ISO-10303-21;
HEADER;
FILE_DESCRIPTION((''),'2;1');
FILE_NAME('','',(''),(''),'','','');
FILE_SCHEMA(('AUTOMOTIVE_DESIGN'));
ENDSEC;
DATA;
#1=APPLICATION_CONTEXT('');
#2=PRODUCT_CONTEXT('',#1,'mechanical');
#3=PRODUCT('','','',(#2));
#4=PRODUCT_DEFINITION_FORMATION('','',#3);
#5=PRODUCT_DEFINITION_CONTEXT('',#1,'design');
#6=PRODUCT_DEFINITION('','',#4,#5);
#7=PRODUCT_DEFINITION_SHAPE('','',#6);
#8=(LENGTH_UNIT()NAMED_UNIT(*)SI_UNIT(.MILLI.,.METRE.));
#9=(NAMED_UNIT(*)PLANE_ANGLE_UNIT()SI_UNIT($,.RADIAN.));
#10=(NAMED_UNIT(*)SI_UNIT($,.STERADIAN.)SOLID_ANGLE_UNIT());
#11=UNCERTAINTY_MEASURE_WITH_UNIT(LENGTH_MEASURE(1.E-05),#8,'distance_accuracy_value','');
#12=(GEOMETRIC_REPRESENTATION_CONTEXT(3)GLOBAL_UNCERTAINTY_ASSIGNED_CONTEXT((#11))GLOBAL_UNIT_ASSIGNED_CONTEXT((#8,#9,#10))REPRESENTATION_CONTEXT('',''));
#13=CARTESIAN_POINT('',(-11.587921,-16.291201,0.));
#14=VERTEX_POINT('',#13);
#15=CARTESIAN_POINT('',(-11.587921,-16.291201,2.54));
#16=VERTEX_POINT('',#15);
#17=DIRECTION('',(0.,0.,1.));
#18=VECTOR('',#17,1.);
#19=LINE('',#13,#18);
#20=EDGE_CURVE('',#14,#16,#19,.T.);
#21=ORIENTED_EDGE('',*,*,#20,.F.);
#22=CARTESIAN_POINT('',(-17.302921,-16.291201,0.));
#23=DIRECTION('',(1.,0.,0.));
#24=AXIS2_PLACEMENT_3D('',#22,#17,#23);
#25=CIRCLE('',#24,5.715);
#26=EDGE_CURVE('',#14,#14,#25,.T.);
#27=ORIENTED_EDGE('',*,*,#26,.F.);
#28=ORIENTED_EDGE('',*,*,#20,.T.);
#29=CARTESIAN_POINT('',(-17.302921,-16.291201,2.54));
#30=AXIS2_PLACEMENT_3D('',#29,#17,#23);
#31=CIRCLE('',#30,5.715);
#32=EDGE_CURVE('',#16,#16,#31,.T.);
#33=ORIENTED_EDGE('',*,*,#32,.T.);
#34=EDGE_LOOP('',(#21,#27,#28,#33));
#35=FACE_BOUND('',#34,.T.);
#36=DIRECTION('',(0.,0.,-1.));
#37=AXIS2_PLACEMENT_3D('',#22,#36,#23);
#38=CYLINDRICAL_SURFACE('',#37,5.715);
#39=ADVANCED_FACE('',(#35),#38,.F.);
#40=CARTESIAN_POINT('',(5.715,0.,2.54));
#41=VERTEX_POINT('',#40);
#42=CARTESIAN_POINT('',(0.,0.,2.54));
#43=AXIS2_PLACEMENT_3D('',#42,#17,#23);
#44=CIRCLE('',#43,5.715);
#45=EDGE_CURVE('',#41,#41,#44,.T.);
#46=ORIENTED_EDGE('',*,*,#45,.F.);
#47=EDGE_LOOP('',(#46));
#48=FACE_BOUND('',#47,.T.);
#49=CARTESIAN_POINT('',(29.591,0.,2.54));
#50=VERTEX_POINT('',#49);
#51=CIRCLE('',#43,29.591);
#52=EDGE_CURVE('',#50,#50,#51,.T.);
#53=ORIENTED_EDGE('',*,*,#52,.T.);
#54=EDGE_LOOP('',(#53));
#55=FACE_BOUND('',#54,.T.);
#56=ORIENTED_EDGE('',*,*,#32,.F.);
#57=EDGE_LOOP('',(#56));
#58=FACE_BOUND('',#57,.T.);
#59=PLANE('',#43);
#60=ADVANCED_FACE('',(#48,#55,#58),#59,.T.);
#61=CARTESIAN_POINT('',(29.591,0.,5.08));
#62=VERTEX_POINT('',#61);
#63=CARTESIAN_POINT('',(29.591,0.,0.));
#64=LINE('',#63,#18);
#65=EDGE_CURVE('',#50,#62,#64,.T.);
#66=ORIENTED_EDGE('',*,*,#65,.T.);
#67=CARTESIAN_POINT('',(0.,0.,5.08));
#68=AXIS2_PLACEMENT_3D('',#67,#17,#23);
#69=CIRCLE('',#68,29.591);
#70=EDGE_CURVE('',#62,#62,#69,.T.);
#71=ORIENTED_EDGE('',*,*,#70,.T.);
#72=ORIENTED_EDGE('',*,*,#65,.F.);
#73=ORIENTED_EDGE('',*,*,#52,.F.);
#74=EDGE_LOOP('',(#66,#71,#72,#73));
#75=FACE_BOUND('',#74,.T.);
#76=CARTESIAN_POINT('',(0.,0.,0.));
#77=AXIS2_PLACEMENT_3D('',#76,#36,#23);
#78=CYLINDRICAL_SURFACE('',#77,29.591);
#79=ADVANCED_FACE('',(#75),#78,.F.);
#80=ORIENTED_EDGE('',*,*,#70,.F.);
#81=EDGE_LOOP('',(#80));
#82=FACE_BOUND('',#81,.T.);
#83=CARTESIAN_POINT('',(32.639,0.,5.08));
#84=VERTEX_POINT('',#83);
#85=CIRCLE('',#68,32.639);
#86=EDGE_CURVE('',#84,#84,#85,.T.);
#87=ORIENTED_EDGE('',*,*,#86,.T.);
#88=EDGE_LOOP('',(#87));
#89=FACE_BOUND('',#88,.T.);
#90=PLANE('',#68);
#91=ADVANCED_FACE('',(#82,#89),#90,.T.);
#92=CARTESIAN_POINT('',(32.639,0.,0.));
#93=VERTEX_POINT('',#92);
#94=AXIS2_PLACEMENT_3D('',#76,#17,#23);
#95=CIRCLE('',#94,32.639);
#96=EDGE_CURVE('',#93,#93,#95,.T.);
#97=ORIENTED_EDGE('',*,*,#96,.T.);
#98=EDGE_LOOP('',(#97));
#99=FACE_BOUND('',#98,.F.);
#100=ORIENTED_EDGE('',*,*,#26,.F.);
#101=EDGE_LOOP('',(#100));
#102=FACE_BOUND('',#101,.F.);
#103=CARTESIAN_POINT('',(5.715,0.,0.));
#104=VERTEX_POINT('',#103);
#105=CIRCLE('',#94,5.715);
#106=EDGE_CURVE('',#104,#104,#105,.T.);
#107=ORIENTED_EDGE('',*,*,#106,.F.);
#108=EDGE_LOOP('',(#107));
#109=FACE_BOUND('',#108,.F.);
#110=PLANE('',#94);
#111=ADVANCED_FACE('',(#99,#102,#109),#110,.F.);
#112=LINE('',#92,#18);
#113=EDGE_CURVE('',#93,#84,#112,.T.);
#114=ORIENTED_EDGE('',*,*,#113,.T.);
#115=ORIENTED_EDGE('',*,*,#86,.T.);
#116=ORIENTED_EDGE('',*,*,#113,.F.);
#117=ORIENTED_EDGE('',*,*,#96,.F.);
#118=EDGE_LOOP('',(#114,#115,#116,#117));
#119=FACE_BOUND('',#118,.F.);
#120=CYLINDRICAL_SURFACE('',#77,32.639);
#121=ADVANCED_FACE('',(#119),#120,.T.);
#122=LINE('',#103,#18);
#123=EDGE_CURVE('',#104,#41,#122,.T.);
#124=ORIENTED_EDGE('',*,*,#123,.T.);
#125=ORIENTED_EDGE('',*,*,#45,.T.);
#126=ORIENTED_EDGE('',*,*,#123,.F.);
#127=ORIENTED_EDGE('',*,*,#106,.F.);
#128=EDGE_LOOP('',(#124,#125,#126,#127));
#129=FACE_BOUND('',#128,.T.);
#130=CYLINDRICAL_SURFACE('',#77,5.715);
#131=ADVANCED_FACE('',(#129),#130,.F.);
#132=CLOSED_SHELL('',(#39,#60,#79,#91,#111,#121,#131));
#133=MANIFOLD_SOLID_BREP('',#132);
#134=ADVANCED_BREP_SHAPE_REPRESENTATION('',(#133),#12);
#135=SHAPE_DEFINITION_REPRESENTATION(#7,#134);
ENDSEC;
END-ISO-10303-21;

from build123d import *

# Parameters (mm, degrees)
F0_R     = 32.639
F0_R_2   = 29.591
F1_DEPTH = 5.08
F0_R_3   = 5.715
F2_DEPTH = 2.54


with BuildPart() as f1:
    # F0 (on Top) → F1 (new body)
    with BuildSketch(Plane.XY):
        Circle(F0_R)
        Circle(F0_R_2, mode=Mode.SUBTRACT)
    extrude(amount=F1_DEPTH)

    # F0 (on Top) → F2 (join)
    with BuildSketch(Plane.XY):
        Circle(F0_R_2)
        with Locations((-17.302921, -16.291201)):
            Circle(F0_R_3, mode=Mode.SUBTRACT)
        Circle(F0_R_3, mode=Mode.SUBTRACT)
    extrude(amount=F2_DEPTH)


solid = f1.part
